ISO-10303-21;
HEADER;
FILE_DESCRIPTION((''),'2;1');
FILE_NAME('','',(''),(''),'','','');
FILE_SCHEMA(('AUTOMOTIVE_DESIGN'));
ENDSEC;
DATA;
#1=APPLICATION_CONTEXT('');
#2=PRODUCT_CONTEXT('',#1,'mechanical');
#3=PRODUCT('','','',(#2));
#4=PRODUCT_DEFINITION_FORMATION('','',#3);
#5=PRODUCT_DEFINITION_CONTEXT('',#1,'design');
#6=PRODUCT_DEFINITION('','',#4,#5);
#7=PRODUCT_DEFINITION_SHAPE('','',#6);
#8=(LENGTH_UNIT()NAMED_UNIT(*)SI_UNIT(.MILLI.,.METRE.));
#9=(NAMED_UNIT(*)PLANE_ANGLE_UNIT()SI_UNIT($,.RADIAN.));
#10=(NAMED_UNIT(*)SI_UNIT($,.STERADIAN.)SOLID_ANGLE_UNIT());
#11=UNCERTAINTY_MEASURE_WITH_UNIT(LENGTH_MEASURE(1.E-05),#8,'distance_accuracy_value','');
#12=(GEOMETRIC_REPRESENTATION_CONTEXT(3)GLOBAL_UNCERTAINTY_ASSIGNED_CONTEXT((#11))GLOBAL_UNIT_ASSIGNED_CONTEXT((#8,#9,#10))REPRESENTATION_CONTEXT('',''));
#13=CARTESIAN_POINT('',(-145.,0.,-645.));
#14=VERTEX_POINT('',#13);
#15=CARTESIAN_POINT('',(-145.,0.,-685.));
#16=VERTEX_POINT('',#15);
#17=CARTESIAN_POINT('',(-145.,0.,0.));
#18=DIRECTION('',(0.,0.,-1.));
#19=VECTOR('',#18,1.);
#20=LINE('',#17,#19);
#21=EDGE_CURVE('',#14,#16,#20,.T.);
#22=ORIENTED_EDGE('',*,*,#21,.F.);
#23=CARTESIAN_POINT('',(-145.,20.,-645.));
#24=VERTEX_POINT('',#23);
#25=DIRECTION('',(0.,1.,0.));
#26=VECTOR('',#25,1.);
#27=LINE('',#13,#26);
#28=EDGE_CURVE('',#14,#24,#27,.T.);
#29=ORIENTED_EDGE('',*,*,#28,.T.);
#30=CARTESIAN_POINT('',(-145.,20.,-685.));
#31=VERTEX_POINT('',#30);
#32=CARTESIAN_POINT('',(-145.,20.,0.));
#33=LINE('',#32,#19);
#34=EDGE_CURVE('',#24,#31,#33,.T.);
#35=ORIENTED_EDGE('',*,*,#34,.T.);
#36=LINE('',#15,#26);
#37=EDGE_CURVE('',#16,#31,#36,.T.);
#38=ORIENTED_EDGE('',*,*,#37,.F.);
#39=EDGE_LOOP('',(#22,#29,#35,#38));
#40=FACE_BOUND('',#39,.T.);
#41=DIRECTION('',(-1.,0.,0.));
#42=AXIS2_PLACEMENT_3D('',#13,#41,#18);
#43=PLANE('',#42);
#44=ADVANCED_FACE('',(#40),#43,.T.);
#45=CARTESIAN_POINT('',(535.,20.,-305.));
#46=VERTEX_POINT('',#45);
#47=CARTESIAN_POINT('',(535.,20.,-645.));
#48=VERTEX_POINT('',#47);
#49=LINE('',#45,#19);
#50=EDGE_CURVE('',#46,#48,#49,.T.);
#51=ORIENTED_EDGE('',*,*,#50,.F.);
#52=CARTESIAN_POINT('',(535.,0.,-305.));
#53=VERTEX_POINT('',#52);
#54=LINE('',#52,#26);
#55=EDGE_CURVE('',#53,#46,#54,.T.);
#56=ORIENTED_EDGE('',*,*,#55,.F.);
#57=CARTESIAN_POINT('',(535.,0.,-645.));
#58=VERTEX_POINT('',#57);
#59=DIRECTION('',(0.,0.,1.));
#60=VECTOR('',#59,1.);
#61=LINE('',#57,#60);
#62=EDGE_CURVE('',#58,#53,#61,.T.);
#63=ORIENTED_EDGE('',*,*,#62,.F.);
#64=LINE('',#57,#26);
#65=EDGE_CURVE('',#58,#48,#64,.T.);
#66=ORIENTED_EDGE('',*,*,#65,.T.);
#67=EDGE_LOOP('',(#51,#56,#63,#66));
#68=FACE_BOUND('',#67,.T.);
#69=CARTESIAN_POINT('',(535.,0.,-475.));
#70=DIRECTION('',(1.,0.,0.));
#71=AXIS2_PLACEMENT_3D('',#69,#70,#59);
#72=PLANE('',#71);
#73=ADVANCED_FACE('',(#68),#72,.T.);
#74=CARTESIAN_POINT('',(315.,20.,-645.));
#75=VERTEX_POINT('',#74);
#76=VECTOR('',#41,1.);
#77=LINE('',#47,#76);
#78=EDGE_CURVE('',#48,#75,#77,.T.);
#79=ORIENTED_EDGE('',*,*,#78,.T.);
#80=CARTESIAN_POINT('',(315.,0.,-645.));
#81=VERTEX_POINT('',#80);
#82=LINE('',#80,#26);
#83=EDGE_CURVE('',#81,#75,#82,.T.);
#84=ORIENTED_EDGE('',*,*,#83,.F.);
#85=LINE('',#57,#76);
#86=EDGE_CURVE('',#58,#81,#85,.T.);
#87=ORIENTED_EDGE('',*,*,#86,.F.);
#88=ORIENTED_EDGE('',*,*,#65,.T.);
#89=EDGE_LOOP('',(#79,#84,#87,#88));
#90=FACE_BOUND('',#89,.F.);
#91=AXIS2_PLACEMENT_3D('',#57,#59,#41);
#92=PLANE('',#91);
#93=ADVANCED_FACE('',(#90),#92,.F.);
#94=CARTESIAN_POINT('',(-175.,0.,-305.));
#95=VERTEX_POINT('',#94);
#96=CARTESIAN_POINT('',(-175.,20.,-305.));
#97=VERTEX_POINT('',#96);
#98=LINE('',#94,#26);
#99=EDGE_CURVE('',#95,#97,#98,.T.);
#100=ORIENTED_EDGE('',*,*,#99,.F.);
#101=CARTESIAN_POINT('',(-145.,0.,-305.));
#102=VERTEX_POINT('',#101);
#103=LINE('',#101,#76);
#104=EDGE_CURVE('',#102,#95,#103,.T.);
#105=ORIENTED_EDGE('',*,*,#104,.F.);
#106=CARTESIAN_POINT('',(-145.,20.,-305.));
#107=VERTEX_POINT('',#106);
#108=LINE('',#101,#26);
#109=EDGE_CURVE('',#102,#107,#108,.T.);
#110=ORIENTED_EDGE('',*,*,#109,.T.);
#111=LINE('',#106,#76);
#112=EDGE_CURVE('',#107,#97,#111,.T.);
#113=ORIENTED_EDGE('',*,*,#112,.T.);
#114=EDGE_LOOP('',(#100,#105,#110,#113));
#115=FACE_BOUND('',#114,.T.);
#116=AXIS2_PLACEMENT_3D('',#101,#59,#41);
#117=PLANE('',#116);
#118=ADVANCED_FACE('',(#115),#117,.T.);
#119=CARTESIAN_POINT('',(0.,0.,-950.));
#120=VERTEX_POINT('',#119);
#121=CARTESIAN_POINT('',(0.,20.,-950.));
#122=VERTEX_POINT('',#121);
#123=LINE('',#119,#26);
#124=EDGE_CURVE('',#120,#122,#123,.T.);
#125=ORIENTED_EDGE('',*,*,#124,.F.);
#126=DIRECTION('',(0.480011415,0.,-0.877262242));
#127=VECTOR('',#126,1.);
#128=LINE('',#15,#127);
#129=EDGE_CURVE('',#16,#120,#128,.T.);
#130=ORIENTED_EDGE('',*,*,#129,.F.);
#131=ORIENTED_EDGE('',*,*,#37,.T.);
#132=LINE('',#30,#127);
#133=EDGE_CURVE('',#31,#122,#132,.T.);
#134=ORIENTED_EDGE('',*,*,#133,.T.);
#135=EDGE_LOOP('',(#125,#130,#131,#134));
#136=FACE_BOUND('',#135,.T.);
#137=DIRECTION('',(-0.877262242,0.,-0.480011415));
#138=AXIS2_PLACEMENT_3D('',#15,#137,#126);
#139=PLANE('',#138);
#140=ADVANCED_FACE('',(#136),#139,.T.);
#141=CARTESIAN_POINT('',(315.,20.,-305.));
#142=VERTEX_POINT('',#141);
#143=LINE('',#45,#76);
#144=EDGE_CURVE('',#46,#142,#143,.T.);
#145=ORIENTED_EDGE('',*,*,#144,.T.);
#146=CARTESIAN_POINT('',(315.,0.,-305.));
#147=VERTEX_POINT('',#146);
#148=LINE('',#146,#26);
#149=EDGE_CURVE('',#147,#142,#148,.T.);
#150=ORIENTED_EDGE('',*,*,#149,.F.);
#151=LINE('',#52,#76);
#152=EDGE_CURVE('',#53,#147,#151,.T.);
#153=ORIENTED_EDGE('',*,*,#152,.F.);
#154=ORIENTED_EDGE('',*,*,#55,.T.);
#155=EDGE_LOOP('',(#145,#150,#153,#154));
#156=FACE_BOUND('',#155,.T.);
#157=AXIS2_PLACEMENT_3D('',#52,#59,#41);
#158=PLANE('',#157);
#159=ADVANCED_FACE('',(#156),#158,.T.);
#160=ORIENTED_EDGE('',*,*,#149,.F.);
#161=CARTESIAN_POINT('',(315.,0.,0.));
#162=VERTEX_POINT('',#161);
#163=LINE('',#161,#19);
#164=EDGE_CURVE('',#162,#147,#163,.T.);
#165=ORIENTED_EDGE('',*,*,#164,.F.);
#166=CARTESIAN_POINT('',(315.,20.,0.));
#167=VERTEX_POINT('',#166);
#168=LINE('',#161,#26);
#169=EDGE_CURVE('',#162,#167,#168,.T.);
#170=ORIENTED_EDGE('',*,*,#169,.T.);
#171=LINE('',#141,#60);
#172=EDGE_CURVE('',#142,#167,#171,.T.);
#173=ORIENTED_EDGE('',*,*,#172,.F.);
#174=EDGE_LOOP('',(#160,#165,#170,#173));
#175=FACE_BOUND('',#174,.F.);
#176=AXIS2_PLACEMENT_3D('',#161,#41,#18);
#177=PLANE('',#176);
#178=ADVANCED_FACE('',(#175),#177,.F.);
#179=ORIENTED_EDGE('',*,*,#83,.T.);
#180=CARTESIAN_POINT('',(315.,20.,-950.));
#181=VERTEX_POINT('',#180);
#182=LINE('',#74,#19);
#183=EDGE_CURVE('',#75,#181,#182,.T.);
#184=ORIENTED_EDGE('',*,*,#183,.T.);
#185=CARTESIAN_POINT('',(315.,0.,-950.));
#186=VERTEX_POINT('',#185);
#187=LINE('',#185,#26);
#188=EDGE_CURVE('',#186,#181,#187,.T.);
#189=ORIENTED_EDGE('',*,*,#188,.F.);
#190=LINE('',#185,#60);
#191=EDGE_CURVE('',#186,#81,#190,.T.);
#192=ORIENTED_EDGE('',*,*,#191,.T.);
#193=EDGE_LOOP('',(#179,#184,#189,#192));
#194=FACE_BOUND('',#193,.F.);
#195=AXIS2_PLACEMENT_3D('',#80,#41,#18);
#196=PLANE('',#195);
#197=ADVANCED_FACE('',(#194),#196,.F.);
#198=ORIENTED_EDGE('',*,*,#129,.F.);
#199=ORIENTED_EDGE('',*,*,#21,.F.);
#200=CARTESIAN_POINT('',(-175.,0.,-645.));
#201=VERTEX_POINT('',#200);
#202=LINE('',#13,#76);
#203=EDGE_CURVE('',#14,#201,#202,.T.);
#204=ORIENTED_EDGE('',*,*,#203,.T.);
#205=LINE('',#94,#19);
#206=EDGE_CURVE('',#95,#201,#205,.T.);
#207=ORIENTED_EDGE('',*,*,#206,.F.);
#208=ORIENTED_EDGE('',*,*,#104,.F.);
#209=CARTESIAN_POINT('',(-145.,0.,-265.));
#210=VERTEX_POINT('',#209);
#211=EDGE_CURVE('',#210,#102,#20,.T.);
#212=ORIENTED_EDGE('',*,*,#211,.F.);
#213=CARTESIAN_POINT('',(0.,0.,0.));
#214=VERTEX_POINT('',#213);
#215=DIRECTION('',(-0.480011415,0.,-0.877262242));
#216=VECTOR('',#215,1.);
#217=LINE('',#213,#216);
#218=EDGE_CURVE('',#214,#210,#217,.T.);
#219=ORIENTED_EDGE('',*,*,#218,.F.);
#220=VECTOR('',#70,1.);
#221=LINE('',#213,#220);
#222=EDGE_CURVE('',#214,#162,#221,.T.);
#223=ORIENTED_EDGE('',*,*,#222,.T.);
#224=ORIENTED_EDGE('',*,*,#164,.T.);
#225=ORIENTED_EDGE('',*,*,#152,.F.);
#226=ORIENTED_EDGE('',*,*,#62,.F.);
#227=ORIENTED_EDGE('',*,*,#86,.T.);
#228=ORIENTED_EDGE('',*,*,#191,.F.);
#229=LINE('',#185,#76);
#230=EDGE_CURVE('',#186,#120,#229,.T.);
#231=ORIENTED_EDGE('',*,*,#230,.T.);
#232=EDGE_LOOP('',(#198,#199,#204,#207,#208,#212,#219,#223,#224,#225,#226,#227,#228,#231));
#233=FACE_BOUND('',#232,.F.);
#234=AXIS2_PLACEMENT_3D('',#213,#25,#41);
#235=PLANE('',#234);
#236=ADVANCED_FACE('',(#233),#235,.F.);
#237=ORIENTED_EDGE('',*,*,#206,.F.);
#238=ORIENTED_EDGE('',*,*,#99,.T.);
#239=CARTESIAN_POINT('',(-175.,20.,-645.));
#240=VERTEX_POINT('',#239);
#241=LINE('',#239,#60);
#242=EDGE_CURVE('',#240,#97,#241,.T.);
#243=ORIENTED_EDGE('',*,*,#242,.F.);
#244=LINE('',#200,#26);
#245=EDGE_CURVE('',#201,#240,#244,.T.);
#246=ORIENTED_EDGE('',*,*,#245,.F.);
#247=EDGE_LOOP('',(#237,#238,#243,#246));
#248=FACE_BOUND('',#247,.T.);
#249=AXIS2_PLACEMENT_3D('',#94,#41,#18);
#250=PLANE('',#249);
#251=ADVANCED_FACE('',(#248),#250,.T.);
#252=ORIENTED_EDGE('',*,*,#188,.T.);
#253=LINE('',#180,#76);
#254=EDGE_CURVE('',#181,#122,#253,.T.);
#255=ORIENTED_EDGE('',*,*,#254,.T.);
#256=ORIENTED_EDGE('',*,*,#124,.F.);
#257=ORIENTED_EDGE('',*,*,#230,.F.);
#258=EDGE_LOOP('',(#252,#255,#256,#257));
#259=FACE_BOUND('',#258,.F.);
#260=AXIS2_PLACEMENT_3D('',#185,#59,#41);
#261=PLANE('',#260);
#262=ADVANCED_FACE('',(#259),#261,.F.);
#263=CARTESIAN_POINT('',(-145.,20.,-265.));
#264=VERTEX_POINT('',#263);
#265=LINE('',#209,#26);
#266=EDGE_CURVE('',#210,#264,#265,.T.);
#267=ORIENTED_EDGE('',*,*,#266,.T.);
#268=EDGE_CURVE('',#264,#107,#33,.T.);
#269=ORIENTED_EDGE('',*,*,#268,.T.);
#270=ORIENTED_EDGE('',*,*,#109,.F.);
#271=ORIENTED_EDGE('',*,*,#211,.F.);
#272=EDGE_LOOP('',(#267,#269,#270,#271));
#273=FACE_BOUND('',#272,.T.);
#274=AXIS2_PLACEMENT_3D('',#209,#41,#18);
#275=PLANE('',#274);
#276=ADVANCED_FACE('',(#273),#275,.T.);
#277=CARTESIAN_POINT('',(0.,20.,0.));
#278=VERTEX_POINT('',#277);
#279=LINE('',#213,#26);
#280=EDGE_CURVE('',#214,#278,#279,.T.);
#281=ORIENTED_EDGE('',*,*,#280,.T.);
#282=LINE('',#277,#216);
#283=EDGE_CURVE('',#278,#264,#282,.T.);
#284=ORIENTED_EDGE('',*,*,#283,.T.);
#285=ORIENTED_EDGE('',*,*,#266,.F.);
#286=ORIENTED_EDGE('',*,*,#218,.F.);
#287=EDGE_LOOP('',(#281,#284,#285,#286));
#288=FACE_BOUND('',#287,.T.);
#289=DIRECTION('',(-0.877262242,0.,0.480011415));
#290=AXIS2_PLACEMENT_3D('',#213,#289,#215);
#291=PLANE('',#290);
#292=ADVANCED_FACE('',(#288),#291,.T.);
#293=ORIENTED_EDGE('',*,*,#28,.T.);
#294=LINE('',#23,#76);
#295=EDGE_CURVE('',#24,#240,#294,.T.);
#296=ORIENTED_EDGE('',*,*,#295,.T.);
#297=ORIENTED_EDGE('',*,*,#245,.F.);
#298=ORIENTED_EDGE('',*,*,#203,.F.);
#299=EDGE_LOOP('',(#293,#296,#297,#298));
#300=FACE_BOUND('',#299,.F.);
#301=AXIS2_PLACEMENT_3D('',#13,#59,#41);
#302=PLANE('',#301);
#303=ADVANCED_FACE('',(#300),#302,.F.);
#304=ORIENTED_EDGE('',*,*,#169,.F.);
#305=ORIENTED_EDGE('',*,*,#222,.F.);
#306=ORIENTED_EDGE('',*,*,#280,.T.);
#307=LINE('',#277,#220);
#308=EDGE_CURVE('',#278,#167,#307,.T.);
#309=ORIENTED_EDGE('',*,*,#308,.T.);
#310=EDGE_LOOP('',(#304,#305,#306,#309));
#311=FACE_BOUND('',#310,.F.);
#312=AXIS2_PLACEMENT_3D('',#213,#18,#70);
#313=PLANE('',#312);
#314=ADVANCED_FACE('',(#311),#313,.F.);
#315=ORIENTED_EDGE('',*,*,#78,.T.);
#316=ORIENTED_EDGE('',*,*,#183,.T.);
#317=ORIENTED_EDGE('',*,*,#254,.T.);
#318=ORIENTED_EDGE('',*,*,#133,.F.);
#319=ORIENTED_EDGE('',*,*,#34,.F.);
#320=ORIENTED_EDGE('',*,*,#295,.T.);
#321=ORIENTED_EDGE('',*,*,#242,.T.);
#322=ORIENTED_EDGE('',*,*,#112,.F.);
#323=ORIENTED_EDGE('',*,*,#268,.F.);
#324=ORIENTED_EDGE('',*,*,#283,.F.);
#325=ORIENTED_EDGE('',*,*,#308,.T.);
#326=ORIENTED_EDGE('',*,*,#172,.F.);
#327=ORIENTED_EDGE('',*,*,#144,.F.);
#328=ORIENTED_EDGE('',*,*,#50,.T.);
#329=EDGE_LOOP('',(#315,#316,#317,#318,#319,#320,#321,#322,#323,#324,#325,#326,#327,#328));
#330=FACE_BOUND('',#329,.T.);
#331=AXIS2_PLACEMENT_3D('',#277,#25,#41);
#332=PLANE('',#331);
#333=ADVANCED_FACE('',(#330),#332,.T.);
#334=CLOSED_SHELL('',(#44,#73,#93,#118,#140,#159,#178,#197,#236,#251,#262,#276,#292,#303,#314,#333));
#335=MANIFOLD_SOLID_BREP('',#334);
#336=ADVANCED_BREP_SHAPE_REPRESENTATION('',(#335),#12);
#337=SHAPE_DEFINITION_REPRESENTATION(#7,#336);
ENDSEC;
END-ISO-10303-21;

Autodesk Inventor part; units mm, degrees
ref_plane "YZ Plane" through (0, 0, 0) normal (1, 0, 0) x (0, 1, 0)
ref_plane "XZ Plane" through (0, 0, 0) normal (0, 1, 0) x (-1, 0, 0)
ref_plane "XY Plane" through (0, 0, 0) normal (0, 0, 1) x (1, 0, 0)
sketch "스케치1" plane through (0, 0, 0) normal (0, 1, 0) x (-1, 0, 0)
  line L0 (0, 0) -> (-315, 0)
  line L1 (-315, 0) -> (-315, -950)
  line L2 (-315, -950) -> (0, -950)
  line L3 (0, -950) -> (0, 0)
  line L4 (-315, -645) -> (-315, -475)
  line L5 (-315, -475) -> (-535, -475)
  line L6 (-535, -475) -> (-535, -645)
  line L7 (-535, -645) -> (-315, -645)
  line L8 (-315, -645) -> (-315, -475)
  line L9 (-315, -475) -> (-535, -475)
  line L10 (-315, -305) -> (-315, -475)
  line L11 (-315, -475) -> (-535, -475)
  line L12 (-535, -475) -> (-535, -305)
  line L13 (-535, -305) -> (-315, -305)
  line L14 (-315, -305) -> (-315, -475)
  line L15 (0, -305) -> (0, 0)
  line L16 (0, -645) -> (0, -950)
  line L17 (0, 0) -> (175, 0)
  line L18 (175, 0) -> (175, -950)
  line L19 (175, -950) -> (0, -950)
  line L20 (0, -950) -> (0, 0)
  line L21 (175, 0) -> (145, 0)
  line L22 (145, 0) -> (145, -950)
  line L23 (145, -950) -> (175, -950)
  line L24 (175, -950) -> (175, 0)
  line L25 (175, -475) -> (145, -475)
  line L26 (145, -475) -> (145, -645)
  line L27 (145, -645) -> (175, -645)
  line L28 (175, -645) -> (175, -475)
  line L29 (175, -475) -> (145, -475)
  line L30 (145, -475) -> (145, -305)
  line L31 (145, -305) -> (175, -305)
  line L32 (175, -305) -> (175, -475)
  line L33 (145, -645) -> (-315, -645)
  line L34 (-315, -645) -> (-315, -685)
  line L35 (-315, -685) -> (145, -685)
  line L36 (145, -685) -> (145, -645)
  line L37 (145, -305) -> (-315, -305)
  line L38 (-315, -305) -> (-315, -265)
  line L39 (-315, -265) -> (145, -265)
  line L40 (145, -265) -> (145, -305)
  line L41 (0, 0) -> (145, -265)
  line L42 (145, -685) -> (0, -950)
  dimension "d0" = 315
  dimension "d1" = 950
  dimension "d3" = 220
  dimension "d4" = 170
  dimension "d5" = 220
  dimension "d6" = 170
  dimension "d7" = 175
  dimension "d8" = 30
  dimension "d9" = 460
  dimension "d10" = 40
  dimension "d11" = 460
  dimension "d12" = 40
extrude "돌출1" add sketch "스케치1" along normal blind 20 contours L3 L39 L1 L0 | L41 L39 L3 | L39 L22 L37 L3 | L3 L37 L1 L39 | L37 L22 L33 L3 | L3 L33 L1 L37 | L31 L18 L25 L22 | L1 L5 L12 L13 | L33 L22 L35 L3 | L3 L35 L1 L33 | L25 L18 L27 L22 | L1 L7 L6 L5 | L35 L42 L3 | L3 L2 L1 L35
properties part number "cover" material "청동, 주조"
